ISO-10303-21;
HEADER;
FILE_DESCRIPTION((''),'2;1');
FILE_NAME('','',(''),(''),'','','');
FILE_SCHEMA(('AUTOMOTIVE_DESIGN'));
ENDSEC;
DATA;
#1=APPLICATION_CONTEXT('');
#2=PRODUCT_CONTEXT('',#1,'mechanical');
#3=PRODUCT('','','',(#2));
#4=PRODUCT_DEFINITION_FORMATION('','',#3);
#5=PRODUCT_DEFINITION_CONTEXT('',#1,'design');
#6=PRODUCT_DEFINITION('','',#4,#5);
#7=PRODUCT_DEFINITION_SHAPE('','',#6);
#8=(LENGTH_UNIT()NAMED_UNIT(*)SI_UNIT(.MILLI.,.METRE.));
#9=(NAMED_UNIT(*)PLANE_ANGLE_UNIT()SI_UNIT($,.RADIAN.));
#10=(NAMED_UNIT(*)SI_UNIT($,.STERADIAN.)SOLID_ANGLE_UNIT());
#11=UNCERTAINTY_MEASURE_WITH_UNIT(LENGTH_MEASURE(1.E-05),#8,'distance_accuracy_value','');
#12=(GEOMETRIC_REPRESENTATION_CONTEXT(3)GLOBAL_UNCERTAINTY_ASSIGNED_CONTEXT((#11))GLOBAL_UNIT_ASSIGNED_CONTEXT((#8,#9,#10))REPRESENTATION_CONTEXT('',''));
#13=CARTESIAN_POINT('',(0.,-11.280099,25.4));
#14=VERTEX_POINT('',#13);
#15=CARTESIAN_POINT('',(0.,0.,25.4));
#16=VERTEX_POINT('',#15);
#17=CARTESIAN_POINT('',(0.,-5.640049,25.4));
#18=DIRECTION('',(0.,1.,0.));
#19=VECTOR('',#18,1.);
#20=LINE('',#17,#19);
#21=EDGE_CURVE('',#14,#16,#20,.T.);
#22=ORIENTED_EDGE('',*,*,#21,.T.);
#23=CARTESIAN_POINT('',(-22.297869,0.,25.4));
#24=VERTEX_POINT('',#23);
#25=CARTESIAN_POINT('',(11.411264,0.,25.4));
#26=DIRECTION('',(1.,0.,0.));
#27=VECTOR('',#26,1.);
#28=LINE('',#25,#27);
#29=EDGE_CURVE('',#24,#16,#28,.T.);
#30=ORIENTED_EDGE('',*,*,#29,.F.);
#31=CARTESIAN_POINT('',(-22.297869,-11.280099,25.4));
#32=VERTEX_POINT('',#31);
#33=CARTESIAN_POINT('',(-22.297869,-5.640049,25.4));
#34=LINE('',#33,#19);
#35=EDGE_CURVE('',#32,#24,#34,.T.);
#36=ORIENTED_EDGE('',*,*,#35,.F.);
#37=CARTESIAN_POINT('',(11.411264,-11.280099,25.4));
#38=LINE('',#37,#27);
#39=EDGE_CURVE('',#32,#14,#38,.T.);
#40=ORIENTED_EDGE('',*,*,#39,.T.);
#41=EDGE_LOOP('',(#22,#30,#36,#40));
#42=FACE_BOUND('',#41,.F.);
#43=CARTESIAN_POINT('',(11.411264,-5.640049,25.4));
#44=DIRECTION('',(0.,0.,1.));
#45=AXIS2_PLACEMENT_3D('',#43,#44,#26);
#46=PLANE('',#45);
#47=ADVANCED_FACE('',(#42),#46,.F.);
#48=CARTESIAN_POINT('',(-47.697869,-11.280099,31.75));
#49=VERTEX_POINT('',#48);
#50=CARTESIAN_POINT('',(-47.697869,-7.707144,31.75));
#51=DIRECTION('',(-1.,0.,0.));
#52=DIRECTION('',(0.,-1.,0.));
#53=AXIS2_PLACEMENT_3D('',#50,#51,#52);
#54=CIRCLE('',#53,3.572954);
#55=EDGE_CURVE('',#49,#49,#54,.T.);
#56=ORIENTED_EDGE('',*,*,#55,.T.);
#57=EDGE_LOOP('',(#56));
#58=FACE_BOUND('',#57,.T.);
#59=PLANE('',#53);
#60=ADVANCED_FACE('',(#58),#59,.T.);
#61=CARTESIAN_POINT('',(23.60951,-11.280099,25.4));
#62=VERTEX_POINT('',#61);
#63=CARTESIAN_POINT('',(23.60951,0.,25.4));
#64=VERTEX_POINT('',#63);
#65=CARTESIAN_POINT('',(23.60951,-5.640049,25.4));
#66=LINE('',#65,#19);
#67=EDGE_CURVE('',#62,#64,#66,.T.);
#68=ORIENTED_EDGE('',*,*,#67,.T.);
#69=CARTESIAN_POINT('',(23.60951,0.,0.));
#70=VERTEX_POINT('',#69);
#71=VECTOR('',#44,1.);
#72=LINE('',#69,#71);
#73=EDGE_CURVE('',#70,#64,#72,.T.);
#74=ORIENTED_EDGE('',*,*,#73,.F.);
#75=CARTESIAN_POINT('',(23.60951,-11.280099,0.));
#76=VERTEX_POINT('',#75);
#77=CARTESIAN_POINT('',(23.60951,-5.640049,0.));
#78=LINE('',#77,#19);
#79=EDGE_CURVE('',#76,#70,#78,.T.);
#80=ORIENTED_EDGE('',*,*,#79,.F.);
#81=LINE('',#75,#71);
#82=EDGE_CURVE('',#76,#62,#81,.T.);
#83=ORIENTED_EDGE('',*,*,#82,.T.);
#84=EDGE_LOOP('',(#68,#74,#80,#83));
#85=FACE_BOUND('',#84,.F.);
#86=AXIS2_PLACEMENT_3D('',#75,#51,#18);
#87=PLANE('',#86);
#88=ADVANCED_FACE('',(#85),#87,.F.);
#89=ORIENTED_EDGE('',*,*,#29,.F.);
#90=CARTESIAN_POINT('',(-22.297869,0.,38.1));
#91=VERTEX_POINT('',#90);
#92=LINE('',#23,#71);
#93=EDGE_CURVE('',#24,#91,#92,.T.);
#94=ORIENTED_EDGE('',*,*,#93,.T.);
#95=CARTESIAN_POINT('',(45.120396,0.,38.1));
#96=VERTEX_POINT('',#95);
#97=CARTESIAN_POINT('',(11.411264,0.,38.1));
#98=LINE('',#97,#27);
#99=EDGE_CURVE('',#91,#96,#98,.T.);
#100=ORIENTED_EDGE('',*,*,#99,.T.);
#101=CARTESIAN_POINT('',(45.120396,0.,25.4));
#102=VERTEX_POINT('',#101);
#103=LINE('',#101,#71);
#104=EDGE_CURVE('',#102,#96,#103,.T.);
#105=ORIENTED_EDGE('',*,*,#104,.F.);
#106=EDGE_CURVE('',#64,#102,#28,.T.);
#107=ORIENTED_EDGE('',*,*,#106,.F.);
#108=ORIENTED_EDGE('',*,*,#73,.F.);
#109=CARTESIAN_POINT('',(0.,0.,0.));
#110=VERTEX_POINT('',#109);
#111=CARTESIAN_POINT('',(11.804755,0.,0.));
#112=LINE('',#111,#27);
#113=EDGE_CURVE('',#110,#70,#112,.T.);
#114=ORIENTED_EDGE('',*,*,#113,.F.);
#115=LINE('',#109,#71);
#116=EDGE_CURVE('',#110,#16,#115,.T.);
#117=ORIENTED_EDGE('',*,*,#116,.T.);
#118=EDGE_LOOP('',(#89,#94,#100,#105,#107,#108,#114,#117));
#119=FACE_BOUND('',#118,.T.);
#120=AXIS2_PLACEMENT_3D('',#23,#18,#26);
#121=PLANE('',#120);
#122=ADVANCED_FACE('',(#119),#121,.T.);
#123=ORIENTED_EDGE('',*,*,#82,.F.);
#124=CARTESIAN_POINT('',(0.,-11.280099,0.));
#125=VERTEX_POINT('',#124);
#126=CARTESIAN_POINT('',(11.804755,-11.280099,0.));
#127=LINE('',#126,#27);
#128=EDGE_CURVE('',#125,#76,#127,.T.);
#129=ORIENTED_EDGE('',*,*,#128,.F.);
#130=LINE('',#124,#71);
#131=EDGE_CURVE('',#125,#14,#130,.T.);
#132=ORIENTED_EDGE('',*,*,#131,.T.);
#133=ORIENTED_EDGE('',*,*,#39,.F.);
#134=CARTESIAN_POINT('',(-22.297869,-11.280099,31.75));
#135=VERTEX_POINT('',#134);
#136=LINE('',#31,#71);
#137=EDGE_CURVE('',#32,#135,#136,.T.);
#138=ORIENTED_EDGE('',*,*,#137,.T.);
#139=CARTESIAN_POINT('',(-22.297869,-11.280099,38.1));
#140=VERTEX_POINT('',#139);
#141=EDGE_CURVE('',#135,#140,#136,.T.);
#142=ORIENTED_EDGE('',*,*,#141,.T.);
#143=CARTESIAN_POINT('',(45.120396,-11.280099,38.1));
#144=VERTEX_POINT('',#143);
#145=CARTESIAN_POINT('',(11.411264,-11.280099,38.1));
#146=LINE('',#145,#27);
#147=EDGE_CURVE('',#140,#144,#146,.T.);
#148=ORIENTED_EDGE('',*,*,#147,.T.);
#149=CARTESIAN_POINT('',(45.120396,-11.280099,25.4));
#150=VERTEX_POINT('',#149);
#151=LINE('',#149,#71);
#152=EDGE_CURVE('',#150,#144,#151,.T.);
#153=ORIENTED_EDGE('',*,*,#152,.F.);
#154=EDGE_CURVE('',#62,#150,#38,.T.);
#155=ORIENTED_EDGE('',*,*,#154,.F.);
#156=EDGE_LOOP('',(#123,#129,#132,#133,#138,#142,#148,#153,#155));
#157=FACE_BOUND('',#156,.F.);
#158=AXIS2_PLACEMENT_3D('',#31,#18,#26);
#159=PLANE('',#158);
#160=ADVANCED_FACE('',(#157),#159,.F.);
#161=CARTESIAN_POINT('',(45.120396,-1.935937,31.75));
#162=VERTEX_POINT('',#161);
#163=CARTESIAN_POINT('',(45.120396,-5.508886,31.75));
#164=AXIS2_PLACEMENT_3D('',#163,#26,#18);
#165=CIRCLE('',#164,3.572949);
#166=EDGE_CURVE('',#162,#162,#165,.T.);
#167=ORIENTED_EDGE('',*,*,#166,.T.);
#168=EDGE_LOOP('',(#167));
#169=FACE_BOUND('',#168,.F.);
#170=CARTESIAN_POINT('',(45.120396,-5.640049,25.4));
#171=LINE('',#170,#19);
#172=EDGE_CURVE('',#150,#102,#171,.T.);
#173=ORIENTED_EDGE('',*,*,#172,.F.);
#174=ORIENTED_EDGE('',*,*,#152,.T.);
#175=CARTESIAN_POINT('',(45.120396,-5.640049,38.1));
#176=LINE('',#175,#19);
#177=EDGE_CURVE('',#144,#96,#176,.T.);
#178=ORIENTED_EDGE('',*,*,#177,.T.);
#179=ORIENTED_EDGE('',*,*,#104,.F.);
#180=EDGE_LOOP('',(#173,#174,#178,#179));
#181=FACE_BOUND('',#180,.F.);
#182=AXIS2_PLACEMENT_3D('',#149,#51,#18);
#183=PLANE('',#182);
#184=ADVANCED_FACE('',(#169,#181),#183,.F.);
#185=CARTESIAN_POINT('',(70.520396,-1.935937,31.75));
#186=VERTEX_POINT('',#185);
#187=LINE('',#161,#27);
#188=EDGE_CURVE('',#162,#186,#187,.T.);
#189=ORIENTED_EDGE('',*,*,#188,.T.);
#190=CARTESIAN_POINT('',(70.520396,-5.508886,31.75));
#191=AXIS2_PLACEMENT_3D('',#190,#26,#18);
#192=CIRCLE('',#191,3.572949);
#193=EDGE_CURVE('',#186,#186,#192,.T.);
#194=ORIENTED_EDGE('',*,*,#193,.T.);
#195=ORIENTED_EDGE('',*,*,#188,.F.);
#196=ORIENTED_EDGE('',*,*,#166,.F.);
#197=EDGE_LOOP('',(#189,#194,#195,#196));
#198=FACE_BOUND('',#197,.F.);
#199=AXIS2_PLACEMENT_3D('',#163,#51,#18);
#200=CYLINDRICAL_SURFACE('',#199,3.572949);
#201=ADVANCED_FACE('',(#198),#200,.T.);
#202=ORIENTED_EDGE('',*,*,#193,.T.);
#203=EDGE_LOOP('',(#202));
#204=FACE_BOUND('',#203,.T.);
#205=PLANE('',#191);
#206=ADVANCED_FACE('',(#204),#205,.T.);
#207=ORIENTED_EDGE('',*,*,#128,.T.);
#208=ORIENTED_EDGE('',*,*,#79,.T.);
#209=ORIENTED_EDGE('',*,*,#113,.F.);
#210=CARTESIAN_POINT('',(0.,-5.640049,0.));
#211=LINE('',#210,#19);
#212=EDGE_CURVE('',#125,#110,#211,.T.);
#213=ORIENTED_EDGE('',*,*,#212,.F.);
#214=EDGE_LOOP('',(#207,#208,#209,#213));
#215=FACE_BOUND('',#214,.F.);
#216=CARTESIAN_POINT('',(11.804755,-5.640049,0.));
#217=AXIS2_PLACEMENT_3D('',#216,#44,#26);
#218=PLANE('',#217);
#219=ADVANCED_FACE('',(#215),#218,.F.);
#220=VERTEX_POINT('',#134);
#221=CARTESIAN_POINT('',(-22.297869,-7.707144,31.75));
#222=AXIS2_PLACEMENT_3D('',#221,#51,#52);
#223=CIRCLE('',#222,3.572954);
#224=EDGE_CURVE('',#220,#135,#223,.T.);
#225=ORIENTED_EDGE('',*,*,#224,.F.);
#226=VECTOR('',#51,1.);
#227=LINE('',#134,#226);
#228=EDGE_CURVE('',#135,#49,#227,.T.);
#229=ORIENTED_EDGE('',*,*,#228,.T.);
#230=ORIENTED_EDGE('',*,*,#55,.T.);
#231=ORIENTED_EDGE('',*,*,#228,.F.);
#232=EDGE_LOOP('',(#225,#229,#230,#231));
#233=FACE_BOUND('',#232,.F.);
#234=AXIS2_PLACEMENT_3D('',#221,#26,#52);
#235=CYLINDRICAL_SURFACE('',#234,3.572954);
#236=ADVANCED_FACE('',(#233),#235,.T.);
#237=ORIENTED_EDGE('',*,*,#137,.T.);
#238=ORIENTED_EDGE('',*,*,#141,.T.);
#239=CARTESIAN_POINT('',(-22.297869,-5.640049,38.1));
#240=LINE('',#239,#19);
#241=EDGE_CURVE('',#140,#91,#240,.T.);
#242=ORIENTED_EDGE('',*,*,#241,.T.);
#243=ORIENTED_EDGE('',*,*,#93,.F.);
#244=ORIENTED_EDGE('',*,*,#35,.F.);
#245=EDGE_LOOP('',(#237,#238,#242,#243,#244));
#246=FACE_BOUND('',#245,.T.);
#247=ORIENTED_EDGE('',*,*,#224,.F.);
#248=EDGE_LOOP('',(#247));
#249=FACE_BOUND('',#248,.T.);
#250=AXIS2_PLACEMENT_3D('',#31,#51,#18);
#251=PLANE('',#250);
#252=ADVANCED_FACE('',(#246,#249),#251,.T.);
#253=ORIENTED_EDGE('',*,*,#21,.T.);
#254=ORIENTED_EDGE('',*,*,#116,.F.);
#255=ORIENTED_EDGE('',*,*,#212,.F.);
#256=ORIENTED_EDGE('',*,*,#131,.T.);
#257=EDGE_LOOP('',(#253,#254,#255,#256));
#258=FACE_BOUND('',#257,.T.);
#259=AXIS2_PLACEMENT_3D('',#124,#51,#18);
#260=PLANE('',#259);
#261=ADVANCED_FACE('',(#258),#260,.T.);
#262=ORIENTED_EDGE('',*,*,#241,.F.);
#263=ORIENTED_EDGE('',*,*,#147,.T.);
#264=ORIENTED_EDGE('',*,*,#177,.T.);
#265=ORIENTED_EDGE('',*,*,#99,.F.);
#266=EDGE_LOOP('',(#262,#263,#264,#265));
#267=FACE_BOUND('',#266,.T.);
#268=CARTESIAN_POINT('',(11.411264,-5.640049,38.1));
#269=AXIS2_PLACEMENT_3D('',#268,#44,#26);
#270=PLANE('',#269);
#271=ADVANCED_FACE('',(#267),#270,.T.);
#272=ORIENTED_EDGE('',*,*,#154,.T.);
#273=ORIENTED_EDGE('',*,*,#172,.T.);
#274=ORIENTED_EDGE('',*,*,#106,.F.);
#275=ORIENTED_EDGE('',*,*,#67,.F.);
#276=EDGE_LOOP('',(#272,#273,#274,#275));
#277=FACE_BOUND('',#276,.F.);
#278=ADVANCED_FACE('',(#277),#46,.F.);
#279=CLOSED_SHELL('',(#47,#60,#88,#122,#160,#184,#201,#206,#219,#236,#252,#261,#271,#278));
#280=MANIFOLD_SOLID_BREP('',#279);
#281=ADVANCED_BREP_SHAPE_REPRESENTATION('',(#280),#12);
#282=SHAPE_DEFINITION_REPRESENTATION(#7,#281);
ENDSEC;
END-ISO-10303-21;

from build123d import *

# Parameters (mm, degrees)
F0_W     = 23.6095096916
F0_H     = 11.28009893
F1_DEPTH = 25.4
F2_W     = 67.4182642251
F2_H     = 11.28009893
F3_DEPTH = 12.7
F4_R     = 3.5729490202
F5_DEPTH = 25.4
F6_R     = 3.5729545
F7_DEPTH = 25.4


with BuildPart() as f1:
    # F0 (on Top) → F1 (new body)
    with BuildSketch(Plane.XY):
        with Locations((11.8047548458, -5.640049465)):
            Rectangle(F0_W, F0_H)
    extrude(amount=F1_DEPTH)

    # F2 (on face) → F3 (join)
    with BuildSketch(Plane.XY.offset(25.4)):
        with Locations((11.4112636074, -5.640049465)):
            Rectangle(F2_W, F2_H)
    extrude(amount=F3_DEPTH)

    # F4 (on face) → F5 (join)
    with BuildSketch(Plane.YZ.offset(45.12039572)):
        with Locations((-5.5088857189, 31.75)):
            Circle(F4_R)
    extrude(amount=F5_DEPTH)

    # F6 (on face) → F7 (join)
    with BuildSketch(Plane(origin=(-22.2978685051, 0, 0), x_dir=(0, -1, 0), z_dir=(-1, 0, 0))):
        with Locations((7.70714443, 31.75)):
            Circle(F6_R)
    extrude(amount=F7_DEPTH)


solid = f1.part
